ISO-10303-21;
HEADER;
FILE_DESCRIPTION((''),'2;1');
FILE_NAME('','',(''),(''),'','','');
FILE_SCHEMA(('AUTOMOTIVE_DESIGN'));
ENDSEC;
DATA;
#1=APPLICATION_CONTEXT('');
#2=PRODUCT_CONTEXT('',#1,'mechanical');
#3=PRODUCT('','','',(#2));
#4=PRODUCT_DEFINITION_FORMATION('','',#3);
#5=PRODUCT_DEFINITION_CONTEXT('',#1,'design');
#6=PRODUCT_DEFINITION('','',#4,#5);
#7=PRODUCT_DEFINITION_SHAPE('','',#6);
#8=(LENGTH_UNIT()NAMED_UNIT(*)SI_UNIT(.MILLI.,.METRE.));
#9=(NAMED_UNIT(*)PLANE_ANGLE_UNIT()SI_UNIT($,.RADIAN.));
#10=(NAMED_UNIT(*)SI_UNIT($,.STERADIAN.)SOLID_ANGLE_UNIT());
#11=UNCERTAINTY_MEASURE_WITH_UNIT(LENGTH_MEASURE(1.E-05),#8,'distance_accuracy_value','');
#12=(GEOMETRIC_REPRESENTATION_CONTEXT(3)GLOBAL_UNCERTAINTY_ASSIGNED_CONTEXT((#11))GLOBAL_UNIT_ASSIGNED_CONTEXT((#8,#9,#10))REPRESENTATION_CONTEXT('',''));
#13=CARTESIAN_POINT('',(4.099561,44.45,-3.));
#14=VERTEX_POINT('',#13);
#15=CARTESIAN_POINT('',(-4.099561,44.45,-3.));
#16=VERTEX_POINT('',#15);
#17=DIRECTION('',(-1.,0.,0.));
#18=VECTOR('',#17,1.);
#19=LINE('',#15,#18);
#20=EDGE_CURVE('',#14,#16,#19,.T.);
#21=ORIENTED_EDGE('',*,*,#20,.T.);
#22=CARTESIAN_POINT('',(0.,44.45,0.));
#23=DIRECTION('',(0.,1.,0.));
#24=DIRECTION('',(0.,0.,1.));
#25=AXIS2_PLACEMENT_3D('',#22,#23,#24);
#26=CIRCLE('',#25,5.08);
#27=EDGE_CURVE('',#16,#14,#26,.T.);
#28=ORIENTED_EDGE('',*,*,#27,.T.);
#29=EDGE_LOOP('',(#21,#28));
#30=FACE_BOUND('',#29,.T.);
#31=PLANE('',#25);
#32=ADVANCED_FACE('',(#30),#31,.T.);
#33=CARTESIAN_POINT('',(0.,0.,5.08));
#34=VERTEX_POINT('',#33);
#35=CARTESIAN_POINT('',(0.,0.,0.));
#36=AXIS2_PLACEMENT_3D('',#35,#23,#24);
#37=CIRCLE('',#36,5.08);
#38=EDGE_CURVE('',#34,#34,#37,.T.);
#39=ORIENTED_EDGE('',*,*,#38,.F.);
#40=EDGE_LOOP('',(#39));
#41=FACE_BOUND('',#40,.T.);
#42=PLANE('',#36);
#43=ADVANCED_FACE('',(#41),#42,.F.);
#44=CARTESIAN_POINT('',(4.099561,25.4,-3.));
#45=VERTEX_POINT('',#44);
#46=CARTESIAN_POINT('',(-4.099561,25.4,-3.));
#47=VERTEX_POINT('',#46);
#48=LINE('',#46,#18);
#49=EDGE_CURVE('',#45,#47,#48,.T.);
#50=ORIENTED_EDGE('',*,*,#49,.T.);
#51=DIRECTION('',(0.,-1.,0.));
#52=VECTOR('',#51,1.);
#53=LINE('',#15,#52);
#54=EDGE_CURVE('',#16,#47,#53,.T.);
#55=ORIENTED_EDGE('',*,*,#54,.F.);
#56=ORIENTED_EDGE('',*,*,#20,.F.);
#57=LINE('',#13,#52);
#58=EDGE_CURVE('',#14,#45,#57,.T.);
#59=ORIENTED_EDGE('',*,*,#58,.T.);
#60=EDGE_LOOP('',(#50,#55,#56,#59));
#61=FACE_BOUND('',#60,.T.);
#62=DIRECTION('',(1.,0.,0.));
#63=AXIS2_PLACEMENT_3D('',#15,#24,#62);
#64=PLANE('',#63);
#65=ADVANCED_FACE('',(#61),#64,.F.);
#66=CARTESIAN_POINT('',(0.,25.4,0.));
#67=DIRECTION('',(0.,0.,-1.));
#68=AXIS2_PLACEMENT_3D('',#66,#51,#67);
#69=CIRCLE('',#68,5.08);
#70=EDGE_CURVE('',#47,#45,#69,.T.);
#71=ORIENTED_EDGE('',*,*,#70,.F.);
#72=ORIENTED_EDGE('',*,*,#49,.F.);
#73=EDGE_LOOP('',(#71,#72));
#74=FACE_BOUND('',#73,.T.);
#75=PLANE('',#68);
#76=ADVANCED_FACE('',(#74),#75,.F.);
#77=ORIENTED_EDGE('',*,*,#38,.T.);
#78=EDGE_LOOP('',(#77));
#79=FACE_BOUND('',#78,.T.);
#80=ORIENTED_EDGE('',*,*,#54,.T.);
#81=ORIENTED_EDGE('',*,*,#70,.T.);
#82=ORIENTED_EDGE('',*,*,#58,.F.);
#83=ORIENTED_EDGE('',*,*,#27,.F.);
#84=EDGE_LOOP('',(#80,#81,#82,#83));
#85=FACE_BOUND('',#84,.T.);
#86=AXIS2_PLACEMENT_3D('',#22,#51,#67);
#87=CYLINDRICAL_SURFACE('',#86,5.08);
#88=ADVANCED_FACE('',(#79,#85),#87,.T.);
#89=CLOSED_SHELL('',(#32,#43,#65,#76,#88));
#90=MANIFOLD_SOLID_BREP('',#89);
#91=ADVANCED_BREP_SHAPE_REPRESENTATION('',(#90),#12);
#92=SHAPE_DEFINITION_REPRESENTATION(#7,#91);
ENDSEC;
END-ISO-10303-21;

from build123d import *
from build123d.topology import SkipClean

# Parameters (mm, degrees)
BOSS_EXTRUDE1_DEPTH = 44.45
BOSS_EXTRUDE2_DEPTH = 25.4


with BuildPart() as part:
    # Sketch1 → Boss-Extrude1 (new body)
    with BuildSketch(Plane(origin=(0, 0, 0), x_dir=(1, 0, 0), z_dir=(0, 1, 0))):
        with BuildLine():
            Line((-4.099560952, 3), (4.099560952, 3))
            ThreePointArc((4.099560952, 3), (0, -5.08), (-4.099560952, 3))
        make_face()
    extrude(amount=BOSS_EXTRUDE1_DEPTH)

    # Sketch3 → Boss-Extrude2 (add)
    with SkipClean():  # the faces are left unmerged after this step: merging them gives an invalid solid
        with BuildSketch(Plane.XZ):
            with BuildLine():
                Line((-4.099560952, -3), (4.099560952, -3))
                ThreePointArc((4.099560952, -3), (0, -5.08), (-4.099560952, -3))
            make_face()
        extrude(amount=-BOSS_EXTRUDE2_DEPTH)


solid = part.part
